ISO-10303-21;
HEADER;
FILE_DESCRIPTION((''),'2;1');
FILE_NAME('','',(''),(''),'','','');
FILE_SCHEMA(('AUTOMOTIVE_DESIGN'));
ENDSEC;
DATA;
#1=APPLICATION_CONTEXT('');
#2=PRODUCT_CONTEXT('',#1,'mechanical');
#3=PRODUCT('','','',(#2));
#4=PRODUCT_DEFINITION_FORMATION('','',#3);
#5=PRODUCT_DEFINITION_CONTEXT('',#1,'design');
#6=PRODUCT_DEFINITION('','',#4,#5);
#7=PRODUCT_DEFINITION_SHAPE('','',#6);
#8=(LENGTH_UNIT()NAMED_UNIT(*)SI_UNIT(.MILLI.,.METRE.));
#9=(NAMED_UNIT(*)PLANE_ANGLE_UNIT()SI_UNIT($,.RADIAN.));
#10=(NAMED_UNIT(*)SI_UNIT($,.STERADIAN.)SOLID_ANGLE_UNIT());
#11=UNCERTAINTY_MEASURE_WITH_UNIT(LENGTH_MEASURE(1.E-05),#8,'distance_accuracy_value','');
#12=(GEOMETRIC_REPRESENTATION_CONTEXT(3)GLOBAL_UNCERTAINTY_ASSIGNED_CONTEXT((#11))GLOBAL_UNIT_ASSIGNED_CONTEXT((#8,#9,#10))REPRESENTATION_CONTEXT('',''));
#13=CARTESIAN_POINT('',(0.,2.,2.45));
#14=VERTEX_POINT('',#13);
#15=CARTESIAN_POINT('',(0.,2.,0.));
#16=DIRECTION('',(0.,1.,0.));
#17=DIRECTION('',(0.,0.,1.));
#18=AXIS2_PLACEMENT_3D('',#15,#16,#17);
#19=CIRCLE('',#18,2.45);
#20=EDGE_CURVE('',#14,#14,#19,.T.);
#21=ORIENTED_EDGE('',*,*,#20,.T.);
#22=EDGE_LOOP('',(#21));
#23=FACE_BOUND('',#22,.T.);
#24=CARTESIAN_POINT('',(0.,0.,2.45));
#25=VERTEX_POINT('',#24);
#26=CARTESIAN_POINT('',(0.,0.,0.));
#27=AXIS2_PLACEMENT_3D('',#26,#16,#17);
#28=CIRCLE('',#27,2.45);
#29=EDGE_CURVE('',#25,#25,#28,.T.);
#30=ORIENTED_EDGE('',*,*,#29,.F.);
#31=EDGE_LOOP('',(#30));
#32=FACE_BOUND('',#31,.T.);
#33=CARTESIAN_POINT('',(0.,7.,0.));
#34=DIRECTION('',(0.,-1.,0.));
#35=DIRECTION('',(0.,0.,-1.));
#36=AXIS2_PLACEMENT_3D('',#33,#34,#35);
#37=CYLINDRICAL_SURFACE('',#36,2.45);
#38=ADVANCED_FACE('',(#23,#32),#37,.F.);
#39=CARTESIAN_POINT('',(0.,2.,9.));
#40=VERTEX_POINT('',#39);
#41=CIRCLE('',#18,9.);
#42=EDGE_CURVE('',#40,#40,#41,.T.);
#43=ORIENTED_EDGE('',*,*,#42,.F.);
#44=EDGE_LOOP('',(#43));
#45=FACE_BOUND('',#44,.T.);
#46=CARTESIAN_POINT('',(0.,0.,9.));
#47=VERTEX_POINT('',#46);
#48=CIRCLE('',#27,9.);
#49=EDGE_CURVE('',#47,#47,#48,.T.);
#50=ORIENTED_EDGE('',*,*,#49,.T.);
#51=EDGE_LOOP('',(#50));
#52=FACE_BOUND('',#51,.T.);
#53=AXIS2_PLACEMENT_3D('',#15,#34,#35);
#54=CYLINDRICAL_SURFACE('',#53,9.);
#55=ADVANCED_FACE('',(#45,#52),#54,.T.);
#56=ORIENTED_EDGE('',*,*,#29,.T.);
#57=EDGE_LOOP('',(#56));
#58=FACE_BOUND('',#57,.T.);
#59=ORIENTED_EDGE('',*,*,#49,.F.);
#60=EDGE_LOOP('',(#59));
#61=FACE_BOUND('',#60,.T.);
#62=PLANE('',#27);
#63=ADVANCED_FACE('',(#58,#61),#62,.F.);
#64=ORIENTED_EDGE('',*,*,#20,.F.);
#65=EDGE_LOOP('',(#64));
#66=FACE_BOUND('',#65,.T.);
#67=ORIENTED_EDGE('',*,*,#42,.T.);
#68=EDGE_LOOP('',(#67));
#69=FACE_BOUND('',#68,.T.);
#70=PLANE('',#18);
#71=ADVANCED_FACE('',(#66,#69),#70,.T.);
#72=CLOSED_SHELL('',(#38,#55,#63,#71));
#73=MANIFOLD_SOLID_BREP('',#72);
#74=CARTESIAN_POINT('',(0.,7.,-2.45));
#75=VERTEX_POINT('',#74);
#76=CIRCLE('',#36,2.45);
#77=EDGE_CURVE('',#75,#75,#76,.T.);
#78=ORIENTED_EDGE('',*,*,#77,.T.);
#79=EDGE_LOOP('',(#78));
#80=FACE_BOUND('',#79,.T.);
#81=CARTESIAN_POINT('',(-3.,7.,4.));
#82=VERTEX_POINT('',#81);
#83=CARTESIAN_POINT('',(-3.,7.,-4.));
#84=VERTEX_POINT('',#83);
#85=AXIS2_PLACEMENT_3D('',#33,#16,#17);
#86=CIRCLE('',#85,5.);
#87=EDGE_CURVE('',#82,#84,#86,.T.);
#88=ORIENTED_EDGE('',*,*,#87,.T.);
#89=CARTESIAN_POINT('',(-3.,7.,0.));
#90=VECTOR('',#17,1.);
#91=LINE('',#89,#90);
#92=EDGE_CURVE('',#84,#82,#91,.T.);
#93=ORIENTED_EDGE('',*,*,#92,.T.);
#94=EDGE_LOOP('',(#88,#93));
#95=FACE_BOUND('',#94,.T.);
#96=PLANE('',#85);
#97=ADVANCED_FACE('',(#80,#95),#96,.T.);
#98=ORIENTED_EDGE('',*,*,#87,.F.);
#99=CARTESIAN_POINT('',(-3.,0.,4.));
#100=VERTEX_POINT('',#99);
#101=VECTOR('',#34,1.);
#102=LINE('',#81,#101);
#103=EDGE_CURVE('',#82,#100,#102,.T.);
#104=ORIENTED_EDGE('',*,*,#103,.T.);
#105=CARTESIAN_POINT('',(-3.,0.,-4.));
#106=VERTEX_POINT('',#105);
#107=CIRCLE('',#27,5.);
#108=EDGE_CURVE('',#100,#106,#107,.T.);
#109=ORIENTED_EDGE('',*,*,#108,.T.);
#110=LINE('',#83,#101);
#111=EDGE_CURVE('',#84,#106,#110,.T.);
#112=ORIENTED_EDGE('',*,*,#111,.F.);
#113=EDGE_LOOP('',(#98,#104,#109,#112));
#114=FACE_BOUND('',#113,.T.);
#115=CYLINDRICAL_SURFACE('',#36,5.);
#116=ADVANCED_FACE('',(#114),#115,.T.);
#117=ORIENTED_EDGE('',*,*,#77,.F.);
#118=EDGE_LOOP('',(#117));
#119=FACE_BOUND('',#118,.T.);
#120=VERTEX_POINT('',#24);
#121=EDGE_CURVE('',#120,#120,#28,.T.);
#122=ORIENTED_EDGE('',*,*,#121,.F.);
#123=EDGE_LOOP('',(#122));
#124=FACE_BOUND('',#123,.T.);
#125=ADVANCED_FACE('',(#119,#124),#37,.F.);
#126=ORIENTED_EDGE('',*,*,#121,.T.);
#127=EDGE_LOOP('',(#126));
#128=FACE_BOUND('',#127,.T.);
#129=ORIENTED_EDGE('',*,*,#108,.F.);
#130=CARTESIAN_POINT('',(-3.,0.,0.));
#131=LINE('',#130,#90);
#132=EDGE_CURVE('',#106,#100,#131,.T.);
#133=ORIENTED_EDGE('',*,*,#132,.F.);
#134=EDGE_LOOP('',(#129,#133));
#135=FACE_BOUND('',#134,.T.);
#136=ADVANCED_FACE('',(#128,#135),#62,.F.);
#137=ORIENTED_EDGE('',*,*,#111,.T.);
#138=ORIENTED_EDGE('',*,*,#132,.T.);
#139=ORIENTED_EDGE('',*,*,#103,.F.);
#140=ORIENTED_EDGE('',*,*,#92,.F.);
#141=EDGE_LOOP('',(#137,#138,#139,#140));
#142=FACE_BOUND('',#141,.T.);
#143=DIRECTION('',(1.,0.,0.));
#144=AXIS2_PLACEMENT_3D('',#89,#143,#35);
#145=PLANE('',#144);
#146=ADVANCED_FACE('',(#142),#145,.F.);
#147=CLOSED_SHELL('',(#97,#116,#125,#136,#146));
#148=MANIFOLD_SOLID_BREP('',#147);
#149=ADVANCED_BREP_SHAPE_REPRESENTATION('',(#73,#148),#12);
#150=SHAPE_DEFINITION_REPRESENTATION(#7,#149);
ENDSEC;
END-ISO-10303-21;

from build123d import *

# Parameters (mm, degrees)
KEY_EXTRUDE_DEPTH         = 7
SKETCH1_6_R               = 9
BASE_EXTRUDE_DEPTH        = 2
SKETCH2_R                 = 2.45
MOTORSHAFT_CUT_DEPTH      = 1
MOTORSHAFT_CUT_DEPTH_BACK = 8


with BuildPart() as part:
    # Sketch1 → key-Extrude (new body)
    with BuildSketch(Plane(origin=(0, 0, 0), x_dir=(1, 0, 0), z_dir=(0, 1, 0))):
        with BuildLine():
            ThreePointArc((5, 0), (2.236067977, 4.472135955), (-3, 4))
            Line((-3, 4), (-3, -4))
            ThreePointArc((-3, -4), (2.236067977, -4.472135955), (5, 0))
        make_face()
    extrude(amount=KEY_EXTRUDE_DEPTH)


with BuildPart() as body_2:
    # Sketch1<6> → base-Extrude (new body)
    with BuildSketch(Plane(origin=(0, 0, 0), x_dir=(1, 0, 0), z_dir=(0, 1, 0))):
        Circle(SKETCH1_6_R)
    extrude(amount=BASE_EXTRUDE_DEPTH)


with BuildPart() as motorshaft_cut_tool:
    # Sketch2 → motorshaft-Cut (new body, two sides)
    with BuildSketch(Plane.XZ) as motorshaft_cut_sk:
        Circle(SKETCH2_R)
    extrude(amount=MOTORSHAFT_CUT_DEPTH)
    extrude(motorshaft_cut_sk.sketch, amount=-MOTORSHAFT_CUT_DEPTH_BACK)


with BuildPart() as part_1:
    add(part.part)

    # motorshaft-Cut: cut by motorshaft_cut_tool
    add(motorshaft_cut_tool.part, mode=Mode.SUBTRACT)


with BuildPart() as body_2_1:
    add(body_2.part)

    # motorshaft-Cut: cut by motorshaft_cut_tool
    add(motorshaft_cut_tool.part, mode=Mode.SUBTRACT)


solid = Compound([part_1.part, body_2_1.part])
